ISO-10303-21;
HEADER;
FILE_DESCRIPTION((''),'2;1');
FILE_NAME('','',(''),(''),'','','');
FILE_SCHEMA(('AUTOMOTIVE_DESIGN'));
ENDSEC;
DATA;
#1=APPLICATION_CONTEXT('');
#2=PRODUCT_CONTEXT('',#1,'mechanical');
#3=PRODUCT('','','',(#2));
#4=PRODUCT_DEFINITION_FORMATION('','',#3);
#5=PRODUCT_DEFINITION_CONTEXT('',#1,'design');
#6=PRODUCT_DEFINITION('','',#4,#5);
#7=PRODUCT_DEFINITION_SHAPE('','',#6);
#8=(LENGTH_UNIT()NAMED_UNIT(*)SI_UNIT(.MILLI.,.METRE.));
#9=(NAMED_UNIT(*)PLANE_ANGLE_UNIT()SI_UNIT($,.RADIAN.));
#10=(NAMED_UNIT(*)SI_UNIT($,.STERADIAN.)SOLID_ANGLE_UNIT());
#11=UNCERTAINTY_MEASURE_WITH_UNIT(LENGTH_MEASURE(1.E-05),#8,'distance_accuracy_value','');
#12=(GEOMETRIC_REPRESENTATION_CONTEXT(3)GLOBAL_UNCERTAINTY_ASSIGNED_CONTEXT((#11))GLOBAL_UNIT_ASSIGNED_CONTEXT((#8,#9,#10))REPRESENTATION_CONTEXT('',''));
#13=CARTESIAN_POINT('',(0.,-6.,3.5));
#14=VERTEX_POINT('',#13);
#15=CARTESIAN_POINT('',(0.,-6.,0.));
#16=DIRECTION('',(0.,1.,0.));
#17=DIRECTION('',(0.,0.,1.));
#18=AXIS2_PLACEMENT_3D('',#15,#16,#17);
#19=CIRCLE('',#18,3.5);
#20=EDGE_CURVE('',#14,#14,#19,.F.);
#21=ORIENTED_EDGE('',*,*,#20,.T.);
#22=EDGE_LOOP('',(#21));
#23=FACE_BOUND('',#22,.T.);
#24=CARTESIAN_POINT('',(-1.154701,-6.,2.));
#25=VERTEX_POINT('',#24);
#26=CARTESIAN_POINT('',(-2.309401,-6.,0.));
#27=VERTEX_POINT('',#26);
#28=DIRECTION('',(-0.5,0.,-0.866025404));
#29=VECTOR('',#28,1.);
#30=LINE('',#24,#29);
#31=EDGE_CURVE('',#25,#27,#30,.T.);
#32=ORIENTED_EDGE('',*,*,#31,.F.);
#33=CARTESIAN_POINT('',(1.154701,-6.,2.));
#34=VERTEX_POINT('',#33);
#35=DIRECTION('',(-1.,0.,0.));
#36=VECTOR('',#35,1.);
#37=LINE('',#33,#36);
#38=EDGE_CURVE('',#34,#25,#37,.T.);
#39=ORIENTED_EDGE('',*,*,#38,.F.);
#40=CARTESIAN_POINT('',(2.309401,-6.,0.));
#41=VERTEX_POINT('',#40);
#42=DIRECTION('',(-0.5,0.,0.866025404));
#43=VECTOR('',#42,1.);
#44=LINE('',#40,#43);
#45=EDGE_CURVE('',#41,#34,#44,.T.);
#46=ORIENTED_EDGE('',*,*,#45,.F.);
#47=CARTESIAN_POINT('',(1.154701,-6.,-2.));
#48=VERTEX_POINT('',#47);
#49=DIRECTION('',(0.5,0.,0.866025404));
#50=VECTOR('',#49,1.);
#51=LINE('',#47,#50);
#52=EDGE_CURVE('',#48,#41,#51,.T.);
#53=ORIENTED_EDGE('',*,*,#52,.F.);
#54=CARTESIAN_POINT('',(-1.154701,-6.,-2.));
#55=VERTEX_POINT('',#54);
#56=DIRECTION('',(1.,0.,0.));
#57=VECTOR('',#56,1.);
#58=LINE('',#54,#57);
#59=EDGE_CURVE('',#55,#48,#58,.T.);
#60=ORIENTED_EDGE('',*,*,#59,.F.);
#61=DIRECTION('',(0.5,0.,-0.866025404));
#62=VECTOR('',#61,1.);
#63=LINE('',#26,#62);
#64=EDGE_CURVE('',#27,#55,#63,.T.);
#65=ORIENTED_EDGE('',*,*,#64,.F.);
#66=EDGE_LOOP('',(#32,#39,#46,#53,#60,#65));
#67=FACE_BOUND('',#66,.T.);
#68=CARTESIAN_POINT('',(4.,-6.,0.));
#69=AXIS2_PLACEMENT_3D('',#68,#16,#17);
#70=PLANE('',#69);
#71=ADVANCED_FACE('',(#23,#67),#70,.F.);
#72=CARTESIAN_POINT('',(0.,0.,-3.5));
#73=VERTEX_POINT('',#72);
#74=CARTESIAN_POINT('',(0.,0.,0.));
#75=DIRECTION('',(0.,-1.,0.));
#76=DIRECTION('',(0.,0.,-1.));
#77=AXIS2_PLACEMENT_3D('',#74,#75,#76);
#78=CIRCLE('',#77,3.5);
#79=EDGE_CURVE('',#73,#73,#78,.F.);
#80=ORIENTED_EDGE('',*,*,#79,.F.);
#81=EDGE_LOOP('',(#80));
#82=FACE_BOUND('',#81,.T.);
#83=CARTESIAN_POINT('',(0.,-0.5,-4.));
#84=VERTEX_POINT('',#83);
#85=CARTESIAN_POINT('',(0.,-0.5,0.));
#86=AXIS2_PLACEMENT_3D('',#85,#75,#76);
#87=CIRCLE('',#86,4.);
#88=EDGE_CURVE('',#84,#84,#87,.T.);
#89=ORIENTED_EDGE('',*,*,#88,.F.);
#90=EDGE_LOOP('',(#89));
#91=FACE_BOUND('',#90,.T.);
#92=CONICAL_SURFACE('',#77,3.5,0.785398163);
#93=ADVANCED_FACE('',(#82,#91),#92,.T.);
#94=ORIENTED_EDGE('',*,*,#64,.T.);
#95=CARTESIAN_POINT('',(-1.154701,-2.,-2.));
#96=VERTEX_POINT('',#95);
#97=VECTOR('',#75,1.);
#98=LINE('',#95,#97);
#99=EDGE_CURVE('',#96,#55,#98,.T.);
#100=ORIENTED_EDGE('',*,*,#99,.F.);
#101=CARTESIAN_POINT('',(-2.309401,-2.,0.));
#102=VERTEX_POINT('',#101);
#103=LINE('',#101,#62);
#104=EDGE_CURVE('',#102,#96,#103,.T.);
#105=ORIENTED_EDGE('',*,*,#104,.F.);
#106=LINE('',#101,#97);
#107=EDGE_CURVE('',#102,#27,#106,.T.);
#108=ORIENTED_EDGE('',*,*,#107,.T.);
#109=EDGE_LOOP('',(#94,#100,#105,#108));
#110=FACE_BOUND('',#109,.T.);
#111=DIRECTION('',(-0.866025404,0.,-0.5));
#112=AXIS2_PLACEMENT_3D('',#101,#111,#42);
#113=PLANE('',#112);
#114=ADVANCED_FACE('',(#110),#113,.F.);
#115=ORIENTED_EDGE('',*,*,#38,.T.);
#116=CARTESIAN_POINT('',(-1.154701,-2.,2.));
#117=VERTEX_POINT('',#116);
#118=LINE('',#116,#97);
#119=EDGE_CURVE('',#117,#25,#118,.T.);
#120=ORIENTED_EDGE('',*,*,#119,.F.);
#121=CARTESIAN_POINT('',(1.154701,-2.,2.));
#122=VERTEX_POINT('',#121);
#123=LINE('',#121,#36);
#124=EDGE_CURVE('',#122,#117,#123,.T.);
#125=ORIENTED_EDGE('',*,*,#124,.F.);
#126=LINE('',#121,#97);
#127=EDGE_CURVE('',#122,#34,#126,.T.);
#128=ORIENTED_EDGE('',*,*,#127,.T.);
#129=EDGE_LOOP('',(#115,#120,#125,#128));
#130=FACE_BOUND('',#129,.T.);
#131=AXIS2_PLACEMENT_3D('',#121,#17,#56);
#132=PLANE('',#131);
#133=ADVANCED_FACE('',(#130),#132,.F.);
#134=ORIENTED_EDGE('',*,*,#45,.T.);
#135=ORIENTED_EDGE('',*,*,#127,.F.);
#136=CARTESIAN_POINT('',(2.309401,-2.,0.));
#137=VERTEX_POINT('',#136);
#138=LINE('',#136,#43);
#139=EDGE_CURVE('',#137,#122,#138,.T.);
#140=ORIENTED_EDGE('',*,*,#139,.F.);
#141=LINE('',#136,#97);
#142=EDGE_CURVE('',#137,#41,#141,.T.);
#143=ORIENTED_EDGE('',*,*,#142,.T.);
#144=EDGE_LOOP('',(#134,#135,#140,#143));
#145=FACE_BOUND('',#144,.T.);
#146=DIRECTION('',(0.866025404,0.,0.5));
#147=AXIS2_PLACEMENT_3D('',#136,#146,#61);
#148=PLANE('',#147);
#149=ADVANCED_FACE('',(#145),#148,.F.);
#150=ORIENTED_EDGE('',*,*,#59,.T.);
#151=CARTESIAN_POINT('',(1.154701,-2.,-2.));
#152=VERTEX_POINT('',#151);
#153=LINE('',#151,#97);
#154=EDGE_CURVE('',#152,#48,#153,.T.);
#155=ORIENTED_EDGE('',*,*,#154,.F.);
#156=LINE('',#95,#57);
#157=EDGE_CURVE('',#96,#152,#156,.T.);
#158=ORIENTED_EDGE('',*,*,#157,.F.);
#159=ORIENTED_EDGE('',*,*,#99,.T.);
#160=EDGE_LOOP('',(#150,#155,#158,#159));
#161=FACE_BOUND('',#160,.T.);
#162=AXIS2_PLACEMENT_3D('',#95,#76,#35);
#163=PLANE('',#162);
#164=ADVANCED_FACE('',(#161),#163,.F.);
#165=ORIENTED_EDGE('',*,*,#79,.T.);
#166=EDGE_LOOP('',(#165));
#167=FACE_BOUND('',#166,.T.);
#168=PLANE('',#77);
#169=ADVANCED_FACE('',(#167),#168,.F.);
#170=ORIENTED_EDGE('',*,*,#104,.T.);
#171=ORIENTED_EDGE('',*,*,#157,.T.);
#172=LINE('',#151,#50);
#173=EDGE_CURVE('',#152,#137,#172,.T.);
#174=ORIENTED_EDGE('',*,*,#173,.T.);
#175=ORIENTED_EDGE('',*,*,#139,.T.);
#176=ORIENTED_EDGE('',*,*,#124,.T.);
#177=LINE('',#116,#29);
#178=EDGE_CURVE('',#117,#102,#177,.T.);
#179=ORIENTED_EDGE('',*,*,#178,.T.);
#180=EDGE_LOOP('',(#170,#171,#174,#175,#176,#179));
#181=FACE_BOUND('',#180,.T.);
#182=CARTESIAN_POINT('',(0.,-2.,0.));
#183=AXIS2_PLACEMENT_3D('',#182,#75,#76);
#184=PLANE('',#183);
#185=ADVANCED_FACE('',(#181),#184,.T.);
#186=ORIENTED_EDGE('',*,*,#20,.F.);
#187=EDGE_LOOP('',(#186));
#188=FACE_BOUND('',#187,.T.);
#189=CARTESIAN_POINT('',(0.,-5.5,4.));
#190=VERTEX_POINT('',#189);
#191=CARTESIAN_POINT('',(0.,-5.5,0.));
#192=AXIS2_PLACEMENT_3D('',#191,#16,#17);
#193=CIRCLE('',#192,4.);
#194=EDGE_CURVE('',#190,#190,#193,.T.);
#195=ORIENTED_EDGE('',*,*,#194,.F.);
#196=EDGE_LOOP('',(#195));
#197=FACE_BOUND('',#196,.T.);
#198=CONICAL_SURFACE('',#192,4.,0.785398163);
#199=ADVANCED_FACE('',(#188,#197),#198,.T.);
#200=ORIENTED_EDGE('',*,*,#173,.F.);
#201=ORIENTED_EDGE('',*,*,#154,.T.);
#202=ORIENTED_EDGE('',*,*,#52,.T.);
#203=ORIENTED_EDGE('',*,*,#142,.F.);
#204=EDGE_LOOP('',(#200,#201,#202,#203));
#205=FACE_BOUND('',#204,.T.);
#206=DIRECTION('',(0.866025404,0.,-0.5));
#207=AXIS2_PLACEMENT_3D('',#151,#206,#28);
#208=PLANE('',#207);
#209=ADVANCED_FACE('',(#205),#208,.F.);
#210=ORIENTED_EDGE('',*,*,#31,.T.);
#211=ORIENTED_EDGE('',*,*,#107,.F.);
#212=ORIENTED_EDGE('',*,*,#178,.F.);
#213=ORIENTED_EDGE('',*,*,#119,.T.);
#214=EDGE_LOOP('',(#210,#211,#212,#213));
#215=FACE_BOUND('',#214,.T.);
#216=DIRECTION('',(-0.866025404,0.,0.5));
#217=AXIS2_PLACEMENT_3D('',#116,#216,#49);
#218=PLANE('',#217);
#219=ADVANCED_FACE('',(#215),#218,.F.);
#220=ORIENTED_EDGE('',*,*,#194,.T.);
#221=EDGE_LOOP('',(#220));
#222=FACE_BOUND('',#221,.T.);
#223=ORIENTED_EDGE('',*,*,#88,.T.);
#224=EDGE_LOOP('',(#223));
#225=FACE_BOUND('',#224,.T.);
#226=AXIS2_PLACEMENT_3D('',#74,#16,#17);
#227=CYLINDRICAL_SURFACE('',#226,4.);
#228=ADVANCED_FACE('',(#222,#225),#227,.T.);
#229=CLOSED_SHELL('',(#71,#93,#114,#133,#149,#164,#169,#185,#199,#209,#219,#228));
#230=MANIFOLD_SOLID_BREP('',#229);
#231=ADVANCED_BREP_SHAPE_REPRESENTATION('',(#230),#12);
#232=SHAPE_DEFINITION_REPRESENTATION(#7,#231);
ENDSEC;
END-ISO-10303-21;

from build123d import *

# Parameters (mm, degrees)
CROQUIS1_W            = 4
CROQUIS1_H            = 6
CHAFL_N1_SIZE         = 0.5
CORTAR_EXTRUIR1_DEPTH = 4


with BuildPart() as part:
    # Croquis1 → Revolución1 (revolve)
    with BuildSketch(Plane.XY, mode=Mode.PRIVATE) as revoluci_n1_sk:
        with Locations((2, -3)):
            Rectangle(CROQUIS1_W, CROQUIS1_H)
    revolve(revoluci_n1_sk.sketch.rotate(Axis((0, 0, 0), (0, -1, 0)), 90), axis=Axis((0, 0, 0), (0, -1, 0)))

    # Chaflán1
    chafl_n1_edges = [part.edges().sort_by_distance(p)[0] for p in [
        (0, -6, -4),
        (0, 0, -4),
    ]]
    chamfer(chafl_n1_edges, length=CHAFL_N1_SIZE)

    # Croquis2 → Cortar-Extruir1 (cut)
    with BuildSketch(Plane.XZ.offset(6)):
        Polygon((-1.154700538, -2), (1.154700538, -2), (2.309401077, 0), (1.154700538, 2), (-1.154700538, 2), (-2.309401077, 0), align=None)
    extrude(amount=-CORTAR_EXTRUIR1_DEPTH, mode=Mode.SUBTRACT)


solid = part.part
